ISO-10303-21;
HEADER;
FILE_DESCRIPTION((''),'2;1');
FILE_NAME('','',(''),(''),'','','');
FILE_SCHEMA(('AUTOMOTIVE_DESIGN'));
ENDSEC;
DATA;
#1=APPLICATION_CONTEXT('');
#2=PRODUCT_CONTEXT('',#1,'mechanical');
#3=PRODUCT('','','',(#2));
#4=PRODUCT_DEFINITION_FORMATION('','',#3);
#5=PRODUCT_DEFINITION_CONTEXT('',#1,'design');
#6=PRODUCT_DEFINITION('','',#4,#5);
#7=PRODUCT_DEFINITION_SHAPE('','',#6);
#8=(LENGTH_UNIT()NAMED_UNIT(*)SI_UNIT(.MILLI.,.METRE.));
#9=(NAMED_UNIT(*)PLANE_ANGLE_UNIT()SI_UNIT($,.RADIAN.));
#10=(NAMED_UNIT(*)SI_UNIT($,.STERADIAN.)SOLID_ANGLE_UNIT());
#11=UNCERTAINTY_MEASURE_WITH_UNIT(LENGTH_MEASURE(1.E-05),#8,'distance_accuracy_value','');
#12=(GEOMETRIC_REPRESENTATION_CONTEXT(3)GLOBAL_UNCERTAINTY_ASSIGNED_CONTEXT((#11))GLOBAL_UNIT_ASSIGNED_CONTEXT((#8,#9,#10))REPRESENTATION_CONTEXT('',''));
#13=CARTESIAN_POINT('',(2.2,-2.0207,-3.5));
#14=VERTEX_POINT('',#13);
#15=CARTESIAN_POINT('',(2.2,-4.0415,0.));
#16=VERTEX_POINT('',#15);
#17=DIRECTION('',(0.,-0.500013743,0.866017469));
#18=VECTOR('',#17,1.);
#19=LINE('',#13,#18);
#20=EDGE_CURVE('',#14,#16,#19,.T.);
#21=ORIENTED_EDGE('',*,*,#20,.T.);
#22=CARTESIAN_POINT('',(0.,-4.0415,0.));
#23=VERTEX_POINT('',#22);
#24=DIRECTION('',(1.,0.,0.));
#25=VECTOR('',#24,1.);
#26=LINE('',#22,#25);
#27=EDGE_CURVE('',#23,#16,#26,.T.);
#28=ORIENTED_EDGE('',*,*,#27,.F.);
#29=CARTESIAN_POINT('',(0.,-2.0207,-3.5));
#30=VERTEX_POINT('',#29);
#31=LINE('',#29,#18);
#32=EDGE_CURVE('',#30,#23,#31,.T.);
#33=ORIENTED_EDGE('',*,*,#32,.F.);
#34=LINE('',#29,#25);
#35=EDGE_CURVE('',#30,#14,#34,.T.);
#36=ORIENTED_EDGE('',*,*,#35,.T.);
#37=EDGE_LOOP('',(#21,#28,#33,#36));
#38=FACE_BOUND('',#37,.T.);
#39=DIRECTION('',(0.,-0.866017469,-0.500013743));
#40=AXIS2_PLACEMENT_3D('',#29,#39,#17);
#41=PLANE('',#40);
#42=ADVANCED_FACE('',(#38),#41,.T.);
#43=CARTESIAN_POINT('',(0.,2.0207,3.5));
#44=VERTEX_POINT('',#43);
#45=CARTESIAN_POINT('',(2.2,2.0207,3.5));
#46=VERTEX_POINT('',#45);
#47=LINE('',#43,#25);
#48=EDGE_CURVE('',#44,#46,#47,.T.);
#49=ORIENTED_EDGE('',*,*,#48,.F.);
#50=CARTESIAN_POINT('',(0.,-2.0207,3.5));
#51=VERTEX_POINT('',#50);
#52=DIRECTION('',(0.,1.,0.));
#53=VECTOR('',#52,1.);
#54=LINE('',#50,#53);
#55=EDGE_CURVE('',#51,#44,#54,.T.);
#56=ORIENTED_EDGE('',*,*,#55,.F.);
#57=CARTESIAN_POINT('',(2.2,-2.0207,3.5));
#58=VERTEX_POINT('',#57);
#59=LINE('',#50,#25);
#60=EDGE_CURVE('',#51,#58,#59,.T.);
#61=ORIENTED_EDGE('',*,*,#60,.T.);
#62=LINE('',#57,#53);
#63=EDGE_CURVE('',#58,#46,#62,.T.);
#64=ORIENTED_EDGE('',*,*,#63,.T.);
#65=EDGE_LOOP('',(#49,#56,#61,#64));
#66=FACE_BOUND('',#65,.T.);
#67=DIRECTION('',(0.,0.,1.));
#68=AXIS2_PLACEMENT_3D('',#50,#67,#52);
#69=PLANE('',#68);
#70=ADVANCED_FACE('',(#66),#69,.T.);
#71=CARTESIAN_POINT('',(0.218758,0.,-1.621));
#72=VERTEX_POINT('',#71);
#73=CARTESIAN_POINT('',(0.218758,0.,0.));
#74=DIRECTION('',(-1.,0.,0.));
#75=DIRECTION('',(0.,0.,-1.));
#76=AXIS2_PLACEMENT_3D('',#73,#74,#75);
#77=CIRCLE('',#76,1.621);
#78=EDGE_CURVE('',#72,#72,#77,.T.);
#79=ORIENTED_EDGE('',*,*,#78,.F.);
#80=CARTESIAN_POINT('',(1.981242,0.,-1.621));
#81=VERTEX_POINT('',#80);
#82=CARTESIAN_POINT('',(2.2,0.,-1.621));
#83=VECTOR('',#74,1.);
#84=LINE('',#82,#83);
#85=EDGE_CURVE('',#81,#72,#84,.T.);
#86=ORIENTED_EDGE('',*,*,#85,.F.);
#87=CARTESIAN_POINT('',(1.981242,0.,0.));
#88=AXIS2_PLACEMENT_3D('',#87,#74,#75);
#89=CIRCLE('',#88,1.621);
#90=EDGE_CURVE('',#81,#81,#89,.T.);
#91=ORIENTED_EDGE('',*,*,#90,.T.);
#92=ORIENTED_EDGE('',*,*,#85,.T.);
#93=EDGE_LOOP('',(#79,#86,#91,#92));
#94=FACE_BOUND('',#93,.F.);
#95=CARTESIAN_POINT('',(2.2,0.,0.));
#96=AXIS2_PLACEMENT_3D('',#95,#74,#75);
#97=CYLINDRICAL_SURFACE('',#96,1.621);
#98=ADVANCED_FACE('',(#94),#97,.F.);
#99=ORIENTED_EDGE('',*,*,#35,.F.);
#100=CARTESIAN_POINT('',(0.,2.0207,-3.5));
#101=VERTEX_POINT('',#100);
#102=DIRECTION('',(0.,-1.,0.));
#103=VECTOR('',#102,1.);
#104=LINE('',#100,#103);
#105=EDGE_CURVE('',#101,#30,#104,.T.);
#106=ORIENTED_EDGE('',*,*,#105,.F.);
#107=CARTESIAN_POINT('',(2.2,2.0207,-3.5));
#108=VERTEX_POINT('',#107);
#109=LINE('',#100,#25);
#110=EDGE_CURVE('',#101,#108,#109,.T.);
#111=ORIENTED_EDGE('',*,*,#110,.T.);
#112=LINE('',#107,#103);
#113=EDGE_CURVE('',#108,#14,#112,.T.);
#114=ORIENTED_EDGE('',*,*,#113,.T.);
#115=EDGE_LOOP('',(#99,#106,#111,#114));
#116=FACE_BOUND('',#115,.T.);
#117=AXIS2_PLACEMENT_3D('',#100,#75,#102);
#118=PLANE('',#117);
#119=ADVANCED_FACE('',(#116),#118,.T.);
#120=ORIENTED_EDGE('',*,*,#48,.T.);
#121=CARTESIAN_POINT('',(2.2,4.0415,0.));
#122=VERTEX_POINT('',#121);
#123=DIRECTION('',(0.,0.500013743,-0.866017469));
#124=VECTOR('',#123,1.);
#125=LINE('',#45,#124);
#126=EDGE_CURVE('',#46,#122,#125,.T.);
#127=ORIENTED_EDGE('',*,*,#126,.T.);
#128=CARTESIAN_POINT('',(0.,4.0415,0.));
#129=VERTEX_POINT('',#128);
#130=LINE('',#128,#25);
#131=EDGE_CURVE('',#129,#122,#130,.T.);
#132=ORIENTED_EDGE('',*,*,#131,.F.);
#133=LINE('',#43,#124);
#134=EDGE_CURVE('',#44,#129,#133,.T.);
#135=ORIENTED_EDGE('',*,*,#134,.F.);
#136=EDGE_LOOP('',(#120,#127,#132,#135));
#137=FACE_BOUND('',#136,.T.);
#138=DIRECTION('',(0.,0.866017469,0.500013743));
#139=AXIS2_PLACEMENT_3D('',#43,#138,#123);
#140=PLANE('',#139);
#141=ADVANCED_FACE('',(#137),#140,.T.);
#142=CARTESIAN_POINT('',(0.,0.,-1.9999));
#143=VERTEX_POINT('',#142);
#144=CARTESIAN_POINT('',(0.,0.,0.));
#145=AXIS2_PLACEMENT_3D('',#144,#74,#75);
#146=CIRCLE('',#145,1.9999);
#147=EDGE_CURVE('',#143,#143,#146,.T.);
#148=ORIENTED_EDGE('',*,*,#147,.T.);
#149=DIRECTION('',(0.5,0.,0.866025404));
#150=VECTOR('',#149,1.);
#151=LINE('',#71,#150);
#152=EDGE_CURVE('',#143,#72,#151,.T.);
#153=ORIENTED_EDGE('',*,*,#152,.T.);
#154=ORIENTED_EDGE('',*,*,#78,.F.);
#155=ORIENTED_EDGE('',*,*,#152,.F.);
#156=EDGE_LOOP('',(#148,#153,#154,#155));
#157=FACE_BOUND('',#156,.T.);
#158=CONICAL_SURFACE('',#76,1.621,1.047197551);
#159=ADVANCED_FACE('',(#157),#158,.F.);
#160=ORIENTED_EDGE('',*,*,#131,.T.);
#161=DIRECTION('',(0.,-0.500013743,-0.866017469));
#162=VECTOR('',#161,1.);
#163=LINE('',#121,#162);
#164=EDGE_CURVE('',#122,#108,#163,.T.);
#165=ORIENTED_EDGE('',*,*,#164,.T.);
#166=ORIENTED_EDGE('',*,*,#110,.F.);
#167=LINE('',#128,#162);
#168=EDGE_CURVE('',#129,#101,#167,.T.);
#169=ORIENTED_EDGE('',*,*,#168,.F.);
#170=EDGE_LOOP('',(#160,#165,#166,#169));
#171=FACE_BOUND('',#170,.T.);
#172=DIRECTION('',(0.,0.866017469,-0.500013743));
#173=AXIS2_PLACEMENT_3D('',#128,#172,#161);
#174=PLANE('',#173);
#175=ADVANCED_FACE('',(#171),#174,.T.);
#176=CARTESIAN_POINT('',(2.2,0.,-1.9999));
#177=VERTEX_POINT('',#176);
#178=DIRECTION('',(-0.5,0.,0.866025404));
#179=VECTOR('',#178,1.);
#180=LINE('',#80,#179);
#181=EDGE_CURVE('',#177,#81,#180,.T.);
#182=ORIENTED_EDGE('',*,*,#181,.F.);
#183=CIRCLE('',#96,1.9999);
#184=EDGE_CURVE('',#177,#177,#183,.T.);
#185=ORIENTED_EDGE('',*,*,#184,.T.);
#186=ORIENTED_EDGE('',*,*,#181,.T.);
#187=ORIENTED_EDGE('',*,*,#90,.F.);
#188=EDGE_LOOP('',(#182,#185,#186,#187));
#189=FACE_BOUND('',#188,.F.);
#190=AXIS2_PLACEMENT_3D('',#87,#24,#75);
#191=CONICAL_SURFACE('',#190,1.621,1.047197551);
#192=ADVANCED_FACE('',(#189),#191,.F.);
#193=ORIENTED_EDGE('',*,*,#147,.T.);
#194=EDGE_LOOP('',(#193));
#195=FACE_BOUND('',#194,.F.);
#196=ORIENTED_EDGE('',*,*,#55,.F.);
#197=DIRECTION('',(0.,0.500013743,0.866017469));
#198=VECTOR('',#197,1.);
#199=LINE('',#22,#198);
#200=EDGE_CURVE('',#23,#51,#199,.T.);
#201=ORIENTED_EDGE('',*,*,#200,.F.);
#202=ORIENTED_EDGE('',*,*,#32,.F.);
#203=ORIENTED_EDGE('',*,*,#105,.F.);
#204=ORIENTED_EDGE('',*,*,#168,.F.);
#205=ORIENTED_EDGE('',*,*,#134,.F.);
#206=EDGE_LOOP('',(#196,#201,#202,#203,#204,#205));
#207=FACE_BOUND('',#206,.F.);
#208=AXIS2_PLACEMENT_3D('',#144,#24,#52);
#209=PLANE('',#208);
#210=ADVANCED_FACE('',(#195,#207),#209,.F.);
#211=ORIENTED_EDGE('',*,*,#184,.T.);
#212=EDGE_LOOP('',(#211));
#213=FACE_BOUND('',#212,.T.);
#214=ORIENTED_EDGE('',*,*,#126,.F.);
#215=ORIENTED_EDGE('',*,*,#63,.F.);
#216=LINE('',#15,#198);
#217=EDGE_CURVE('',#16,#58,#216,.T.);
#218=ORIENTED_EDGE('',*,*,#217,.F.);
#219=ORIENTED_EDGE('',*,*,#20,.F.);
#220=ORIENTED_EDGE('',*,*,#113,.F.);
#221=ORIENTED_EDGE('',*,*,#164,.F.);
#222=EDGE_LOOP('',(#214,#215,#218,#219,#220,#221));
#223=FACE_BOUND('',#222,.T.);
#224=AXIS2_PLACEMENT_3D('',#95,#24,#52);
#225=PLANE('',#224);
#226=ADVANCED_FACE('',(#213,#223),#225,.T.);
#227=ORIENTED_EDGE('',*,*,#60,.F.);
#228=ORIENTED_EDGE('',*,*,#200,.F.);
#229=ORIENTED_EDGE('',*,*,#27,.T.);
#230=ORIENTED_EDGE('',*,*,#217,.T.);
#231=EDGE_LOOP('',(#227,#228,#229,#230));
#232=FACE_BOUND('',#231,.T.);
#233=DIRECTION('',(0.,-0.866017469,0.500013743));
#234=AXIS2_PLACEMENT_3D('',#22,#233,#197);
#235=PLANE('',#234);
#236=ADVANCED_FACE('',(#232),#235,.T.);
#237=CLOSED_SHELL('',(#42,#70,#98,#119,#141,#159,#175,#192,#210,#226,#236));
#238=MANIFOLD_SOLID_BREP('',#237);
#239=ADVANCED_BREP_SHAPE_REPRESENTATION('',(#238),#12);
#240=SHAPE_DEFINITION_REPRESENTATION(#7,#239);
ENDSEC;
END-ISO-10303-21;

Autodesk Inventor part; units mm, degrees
ref_plane "YZ Plane" through (0, 0, 0) normal (1, 0, 0) x (0, 1, 0)
ref_plane "XZ Plane" through (0, 0, 0) normal (0, 1, 0) x (-1, 0, 0)
sketch "草圖1" plane through (0, 0, 0) normal (1, 0, 0) x (0, 1, 0)
  line L0 (2.0207, -3.5) -> (-2.0207, -3.5)
  line L1 (-2.0207, -3.5) -> (-4.0415, 0)
  line L2 (-4.0415, 0) -> (-2.0207, 3.5)
  line L3 (-2.0207, 3.5) -> (2.0207, 3.5)
  line L4 (2.0207, 3.5) -> (4.0415, 0)
  line L5 (4.0415, 0) -> (2.0207, -3.5)
  point P0 (0, 0)
  point P1 (0, 0)
  dimension "d0" = 8.0829
extrude "本體" add sketch "草圖1" along normal blind 2.2
sketch "草圖2" plane through (2.2, 0, 0) normal (1, 0, 0) x (0, 0, -1)
  point P0 (0, 0)
hole "螺紋" at (2.2, 0, 0) direction (-1, 0, 0) diameter 3.242 end through all thread size "M4x0.7" class "6H" standard "ISO Metric profile"
chamfer "倒角2" distance 0.3789 angle 30 1 edges at (2.2, 0, 1.621) measured on face at (2.2, 2.4654, 1.4736)
chamfer "倒角1" distance 0.3789 angle 30 1 edges at (0, 0, 1.621) measured on face at (0, 2.4654, 1.4736)
ref_plane "Work Plane1" through (-8.7167, 0, 0) normal (0, 0, -1) x (1, 0, 0)
equation "\"d0\" = 1.1547 * SW"
equation "\"d1\" = KOH"
equation "\"d12\" = -0.5 * GD1 + 0.5 * NND"
equation "\"d19\" = -0.5 * GD1 + 0.5 * NND"
equation "\"d10\" = -0.5 * GD1 + 0.5 * NND"
equation "\"d18\" = -0.5 * GD1 + 0.5 * NND"
equation "\"NND\" = 4"
equation "\"KOH\" = 2.2"
equation "\"SW\" = 7"
equation "\"GUL\" = 0.541266 * PTC"
equation "\"THREADDIA\" = 4"
equation "\"TOA\" = 30deg"
equation "\"PTC\" = 0.7"
equation "\"E0\" = 1.155 * SW"
equation "\"GAL\" = 0.541266 * PTC"
equation "\"GD1\" = 3.242228"
properties part number "JIS B 1181 - B M4" material "鋼、可鍛"
